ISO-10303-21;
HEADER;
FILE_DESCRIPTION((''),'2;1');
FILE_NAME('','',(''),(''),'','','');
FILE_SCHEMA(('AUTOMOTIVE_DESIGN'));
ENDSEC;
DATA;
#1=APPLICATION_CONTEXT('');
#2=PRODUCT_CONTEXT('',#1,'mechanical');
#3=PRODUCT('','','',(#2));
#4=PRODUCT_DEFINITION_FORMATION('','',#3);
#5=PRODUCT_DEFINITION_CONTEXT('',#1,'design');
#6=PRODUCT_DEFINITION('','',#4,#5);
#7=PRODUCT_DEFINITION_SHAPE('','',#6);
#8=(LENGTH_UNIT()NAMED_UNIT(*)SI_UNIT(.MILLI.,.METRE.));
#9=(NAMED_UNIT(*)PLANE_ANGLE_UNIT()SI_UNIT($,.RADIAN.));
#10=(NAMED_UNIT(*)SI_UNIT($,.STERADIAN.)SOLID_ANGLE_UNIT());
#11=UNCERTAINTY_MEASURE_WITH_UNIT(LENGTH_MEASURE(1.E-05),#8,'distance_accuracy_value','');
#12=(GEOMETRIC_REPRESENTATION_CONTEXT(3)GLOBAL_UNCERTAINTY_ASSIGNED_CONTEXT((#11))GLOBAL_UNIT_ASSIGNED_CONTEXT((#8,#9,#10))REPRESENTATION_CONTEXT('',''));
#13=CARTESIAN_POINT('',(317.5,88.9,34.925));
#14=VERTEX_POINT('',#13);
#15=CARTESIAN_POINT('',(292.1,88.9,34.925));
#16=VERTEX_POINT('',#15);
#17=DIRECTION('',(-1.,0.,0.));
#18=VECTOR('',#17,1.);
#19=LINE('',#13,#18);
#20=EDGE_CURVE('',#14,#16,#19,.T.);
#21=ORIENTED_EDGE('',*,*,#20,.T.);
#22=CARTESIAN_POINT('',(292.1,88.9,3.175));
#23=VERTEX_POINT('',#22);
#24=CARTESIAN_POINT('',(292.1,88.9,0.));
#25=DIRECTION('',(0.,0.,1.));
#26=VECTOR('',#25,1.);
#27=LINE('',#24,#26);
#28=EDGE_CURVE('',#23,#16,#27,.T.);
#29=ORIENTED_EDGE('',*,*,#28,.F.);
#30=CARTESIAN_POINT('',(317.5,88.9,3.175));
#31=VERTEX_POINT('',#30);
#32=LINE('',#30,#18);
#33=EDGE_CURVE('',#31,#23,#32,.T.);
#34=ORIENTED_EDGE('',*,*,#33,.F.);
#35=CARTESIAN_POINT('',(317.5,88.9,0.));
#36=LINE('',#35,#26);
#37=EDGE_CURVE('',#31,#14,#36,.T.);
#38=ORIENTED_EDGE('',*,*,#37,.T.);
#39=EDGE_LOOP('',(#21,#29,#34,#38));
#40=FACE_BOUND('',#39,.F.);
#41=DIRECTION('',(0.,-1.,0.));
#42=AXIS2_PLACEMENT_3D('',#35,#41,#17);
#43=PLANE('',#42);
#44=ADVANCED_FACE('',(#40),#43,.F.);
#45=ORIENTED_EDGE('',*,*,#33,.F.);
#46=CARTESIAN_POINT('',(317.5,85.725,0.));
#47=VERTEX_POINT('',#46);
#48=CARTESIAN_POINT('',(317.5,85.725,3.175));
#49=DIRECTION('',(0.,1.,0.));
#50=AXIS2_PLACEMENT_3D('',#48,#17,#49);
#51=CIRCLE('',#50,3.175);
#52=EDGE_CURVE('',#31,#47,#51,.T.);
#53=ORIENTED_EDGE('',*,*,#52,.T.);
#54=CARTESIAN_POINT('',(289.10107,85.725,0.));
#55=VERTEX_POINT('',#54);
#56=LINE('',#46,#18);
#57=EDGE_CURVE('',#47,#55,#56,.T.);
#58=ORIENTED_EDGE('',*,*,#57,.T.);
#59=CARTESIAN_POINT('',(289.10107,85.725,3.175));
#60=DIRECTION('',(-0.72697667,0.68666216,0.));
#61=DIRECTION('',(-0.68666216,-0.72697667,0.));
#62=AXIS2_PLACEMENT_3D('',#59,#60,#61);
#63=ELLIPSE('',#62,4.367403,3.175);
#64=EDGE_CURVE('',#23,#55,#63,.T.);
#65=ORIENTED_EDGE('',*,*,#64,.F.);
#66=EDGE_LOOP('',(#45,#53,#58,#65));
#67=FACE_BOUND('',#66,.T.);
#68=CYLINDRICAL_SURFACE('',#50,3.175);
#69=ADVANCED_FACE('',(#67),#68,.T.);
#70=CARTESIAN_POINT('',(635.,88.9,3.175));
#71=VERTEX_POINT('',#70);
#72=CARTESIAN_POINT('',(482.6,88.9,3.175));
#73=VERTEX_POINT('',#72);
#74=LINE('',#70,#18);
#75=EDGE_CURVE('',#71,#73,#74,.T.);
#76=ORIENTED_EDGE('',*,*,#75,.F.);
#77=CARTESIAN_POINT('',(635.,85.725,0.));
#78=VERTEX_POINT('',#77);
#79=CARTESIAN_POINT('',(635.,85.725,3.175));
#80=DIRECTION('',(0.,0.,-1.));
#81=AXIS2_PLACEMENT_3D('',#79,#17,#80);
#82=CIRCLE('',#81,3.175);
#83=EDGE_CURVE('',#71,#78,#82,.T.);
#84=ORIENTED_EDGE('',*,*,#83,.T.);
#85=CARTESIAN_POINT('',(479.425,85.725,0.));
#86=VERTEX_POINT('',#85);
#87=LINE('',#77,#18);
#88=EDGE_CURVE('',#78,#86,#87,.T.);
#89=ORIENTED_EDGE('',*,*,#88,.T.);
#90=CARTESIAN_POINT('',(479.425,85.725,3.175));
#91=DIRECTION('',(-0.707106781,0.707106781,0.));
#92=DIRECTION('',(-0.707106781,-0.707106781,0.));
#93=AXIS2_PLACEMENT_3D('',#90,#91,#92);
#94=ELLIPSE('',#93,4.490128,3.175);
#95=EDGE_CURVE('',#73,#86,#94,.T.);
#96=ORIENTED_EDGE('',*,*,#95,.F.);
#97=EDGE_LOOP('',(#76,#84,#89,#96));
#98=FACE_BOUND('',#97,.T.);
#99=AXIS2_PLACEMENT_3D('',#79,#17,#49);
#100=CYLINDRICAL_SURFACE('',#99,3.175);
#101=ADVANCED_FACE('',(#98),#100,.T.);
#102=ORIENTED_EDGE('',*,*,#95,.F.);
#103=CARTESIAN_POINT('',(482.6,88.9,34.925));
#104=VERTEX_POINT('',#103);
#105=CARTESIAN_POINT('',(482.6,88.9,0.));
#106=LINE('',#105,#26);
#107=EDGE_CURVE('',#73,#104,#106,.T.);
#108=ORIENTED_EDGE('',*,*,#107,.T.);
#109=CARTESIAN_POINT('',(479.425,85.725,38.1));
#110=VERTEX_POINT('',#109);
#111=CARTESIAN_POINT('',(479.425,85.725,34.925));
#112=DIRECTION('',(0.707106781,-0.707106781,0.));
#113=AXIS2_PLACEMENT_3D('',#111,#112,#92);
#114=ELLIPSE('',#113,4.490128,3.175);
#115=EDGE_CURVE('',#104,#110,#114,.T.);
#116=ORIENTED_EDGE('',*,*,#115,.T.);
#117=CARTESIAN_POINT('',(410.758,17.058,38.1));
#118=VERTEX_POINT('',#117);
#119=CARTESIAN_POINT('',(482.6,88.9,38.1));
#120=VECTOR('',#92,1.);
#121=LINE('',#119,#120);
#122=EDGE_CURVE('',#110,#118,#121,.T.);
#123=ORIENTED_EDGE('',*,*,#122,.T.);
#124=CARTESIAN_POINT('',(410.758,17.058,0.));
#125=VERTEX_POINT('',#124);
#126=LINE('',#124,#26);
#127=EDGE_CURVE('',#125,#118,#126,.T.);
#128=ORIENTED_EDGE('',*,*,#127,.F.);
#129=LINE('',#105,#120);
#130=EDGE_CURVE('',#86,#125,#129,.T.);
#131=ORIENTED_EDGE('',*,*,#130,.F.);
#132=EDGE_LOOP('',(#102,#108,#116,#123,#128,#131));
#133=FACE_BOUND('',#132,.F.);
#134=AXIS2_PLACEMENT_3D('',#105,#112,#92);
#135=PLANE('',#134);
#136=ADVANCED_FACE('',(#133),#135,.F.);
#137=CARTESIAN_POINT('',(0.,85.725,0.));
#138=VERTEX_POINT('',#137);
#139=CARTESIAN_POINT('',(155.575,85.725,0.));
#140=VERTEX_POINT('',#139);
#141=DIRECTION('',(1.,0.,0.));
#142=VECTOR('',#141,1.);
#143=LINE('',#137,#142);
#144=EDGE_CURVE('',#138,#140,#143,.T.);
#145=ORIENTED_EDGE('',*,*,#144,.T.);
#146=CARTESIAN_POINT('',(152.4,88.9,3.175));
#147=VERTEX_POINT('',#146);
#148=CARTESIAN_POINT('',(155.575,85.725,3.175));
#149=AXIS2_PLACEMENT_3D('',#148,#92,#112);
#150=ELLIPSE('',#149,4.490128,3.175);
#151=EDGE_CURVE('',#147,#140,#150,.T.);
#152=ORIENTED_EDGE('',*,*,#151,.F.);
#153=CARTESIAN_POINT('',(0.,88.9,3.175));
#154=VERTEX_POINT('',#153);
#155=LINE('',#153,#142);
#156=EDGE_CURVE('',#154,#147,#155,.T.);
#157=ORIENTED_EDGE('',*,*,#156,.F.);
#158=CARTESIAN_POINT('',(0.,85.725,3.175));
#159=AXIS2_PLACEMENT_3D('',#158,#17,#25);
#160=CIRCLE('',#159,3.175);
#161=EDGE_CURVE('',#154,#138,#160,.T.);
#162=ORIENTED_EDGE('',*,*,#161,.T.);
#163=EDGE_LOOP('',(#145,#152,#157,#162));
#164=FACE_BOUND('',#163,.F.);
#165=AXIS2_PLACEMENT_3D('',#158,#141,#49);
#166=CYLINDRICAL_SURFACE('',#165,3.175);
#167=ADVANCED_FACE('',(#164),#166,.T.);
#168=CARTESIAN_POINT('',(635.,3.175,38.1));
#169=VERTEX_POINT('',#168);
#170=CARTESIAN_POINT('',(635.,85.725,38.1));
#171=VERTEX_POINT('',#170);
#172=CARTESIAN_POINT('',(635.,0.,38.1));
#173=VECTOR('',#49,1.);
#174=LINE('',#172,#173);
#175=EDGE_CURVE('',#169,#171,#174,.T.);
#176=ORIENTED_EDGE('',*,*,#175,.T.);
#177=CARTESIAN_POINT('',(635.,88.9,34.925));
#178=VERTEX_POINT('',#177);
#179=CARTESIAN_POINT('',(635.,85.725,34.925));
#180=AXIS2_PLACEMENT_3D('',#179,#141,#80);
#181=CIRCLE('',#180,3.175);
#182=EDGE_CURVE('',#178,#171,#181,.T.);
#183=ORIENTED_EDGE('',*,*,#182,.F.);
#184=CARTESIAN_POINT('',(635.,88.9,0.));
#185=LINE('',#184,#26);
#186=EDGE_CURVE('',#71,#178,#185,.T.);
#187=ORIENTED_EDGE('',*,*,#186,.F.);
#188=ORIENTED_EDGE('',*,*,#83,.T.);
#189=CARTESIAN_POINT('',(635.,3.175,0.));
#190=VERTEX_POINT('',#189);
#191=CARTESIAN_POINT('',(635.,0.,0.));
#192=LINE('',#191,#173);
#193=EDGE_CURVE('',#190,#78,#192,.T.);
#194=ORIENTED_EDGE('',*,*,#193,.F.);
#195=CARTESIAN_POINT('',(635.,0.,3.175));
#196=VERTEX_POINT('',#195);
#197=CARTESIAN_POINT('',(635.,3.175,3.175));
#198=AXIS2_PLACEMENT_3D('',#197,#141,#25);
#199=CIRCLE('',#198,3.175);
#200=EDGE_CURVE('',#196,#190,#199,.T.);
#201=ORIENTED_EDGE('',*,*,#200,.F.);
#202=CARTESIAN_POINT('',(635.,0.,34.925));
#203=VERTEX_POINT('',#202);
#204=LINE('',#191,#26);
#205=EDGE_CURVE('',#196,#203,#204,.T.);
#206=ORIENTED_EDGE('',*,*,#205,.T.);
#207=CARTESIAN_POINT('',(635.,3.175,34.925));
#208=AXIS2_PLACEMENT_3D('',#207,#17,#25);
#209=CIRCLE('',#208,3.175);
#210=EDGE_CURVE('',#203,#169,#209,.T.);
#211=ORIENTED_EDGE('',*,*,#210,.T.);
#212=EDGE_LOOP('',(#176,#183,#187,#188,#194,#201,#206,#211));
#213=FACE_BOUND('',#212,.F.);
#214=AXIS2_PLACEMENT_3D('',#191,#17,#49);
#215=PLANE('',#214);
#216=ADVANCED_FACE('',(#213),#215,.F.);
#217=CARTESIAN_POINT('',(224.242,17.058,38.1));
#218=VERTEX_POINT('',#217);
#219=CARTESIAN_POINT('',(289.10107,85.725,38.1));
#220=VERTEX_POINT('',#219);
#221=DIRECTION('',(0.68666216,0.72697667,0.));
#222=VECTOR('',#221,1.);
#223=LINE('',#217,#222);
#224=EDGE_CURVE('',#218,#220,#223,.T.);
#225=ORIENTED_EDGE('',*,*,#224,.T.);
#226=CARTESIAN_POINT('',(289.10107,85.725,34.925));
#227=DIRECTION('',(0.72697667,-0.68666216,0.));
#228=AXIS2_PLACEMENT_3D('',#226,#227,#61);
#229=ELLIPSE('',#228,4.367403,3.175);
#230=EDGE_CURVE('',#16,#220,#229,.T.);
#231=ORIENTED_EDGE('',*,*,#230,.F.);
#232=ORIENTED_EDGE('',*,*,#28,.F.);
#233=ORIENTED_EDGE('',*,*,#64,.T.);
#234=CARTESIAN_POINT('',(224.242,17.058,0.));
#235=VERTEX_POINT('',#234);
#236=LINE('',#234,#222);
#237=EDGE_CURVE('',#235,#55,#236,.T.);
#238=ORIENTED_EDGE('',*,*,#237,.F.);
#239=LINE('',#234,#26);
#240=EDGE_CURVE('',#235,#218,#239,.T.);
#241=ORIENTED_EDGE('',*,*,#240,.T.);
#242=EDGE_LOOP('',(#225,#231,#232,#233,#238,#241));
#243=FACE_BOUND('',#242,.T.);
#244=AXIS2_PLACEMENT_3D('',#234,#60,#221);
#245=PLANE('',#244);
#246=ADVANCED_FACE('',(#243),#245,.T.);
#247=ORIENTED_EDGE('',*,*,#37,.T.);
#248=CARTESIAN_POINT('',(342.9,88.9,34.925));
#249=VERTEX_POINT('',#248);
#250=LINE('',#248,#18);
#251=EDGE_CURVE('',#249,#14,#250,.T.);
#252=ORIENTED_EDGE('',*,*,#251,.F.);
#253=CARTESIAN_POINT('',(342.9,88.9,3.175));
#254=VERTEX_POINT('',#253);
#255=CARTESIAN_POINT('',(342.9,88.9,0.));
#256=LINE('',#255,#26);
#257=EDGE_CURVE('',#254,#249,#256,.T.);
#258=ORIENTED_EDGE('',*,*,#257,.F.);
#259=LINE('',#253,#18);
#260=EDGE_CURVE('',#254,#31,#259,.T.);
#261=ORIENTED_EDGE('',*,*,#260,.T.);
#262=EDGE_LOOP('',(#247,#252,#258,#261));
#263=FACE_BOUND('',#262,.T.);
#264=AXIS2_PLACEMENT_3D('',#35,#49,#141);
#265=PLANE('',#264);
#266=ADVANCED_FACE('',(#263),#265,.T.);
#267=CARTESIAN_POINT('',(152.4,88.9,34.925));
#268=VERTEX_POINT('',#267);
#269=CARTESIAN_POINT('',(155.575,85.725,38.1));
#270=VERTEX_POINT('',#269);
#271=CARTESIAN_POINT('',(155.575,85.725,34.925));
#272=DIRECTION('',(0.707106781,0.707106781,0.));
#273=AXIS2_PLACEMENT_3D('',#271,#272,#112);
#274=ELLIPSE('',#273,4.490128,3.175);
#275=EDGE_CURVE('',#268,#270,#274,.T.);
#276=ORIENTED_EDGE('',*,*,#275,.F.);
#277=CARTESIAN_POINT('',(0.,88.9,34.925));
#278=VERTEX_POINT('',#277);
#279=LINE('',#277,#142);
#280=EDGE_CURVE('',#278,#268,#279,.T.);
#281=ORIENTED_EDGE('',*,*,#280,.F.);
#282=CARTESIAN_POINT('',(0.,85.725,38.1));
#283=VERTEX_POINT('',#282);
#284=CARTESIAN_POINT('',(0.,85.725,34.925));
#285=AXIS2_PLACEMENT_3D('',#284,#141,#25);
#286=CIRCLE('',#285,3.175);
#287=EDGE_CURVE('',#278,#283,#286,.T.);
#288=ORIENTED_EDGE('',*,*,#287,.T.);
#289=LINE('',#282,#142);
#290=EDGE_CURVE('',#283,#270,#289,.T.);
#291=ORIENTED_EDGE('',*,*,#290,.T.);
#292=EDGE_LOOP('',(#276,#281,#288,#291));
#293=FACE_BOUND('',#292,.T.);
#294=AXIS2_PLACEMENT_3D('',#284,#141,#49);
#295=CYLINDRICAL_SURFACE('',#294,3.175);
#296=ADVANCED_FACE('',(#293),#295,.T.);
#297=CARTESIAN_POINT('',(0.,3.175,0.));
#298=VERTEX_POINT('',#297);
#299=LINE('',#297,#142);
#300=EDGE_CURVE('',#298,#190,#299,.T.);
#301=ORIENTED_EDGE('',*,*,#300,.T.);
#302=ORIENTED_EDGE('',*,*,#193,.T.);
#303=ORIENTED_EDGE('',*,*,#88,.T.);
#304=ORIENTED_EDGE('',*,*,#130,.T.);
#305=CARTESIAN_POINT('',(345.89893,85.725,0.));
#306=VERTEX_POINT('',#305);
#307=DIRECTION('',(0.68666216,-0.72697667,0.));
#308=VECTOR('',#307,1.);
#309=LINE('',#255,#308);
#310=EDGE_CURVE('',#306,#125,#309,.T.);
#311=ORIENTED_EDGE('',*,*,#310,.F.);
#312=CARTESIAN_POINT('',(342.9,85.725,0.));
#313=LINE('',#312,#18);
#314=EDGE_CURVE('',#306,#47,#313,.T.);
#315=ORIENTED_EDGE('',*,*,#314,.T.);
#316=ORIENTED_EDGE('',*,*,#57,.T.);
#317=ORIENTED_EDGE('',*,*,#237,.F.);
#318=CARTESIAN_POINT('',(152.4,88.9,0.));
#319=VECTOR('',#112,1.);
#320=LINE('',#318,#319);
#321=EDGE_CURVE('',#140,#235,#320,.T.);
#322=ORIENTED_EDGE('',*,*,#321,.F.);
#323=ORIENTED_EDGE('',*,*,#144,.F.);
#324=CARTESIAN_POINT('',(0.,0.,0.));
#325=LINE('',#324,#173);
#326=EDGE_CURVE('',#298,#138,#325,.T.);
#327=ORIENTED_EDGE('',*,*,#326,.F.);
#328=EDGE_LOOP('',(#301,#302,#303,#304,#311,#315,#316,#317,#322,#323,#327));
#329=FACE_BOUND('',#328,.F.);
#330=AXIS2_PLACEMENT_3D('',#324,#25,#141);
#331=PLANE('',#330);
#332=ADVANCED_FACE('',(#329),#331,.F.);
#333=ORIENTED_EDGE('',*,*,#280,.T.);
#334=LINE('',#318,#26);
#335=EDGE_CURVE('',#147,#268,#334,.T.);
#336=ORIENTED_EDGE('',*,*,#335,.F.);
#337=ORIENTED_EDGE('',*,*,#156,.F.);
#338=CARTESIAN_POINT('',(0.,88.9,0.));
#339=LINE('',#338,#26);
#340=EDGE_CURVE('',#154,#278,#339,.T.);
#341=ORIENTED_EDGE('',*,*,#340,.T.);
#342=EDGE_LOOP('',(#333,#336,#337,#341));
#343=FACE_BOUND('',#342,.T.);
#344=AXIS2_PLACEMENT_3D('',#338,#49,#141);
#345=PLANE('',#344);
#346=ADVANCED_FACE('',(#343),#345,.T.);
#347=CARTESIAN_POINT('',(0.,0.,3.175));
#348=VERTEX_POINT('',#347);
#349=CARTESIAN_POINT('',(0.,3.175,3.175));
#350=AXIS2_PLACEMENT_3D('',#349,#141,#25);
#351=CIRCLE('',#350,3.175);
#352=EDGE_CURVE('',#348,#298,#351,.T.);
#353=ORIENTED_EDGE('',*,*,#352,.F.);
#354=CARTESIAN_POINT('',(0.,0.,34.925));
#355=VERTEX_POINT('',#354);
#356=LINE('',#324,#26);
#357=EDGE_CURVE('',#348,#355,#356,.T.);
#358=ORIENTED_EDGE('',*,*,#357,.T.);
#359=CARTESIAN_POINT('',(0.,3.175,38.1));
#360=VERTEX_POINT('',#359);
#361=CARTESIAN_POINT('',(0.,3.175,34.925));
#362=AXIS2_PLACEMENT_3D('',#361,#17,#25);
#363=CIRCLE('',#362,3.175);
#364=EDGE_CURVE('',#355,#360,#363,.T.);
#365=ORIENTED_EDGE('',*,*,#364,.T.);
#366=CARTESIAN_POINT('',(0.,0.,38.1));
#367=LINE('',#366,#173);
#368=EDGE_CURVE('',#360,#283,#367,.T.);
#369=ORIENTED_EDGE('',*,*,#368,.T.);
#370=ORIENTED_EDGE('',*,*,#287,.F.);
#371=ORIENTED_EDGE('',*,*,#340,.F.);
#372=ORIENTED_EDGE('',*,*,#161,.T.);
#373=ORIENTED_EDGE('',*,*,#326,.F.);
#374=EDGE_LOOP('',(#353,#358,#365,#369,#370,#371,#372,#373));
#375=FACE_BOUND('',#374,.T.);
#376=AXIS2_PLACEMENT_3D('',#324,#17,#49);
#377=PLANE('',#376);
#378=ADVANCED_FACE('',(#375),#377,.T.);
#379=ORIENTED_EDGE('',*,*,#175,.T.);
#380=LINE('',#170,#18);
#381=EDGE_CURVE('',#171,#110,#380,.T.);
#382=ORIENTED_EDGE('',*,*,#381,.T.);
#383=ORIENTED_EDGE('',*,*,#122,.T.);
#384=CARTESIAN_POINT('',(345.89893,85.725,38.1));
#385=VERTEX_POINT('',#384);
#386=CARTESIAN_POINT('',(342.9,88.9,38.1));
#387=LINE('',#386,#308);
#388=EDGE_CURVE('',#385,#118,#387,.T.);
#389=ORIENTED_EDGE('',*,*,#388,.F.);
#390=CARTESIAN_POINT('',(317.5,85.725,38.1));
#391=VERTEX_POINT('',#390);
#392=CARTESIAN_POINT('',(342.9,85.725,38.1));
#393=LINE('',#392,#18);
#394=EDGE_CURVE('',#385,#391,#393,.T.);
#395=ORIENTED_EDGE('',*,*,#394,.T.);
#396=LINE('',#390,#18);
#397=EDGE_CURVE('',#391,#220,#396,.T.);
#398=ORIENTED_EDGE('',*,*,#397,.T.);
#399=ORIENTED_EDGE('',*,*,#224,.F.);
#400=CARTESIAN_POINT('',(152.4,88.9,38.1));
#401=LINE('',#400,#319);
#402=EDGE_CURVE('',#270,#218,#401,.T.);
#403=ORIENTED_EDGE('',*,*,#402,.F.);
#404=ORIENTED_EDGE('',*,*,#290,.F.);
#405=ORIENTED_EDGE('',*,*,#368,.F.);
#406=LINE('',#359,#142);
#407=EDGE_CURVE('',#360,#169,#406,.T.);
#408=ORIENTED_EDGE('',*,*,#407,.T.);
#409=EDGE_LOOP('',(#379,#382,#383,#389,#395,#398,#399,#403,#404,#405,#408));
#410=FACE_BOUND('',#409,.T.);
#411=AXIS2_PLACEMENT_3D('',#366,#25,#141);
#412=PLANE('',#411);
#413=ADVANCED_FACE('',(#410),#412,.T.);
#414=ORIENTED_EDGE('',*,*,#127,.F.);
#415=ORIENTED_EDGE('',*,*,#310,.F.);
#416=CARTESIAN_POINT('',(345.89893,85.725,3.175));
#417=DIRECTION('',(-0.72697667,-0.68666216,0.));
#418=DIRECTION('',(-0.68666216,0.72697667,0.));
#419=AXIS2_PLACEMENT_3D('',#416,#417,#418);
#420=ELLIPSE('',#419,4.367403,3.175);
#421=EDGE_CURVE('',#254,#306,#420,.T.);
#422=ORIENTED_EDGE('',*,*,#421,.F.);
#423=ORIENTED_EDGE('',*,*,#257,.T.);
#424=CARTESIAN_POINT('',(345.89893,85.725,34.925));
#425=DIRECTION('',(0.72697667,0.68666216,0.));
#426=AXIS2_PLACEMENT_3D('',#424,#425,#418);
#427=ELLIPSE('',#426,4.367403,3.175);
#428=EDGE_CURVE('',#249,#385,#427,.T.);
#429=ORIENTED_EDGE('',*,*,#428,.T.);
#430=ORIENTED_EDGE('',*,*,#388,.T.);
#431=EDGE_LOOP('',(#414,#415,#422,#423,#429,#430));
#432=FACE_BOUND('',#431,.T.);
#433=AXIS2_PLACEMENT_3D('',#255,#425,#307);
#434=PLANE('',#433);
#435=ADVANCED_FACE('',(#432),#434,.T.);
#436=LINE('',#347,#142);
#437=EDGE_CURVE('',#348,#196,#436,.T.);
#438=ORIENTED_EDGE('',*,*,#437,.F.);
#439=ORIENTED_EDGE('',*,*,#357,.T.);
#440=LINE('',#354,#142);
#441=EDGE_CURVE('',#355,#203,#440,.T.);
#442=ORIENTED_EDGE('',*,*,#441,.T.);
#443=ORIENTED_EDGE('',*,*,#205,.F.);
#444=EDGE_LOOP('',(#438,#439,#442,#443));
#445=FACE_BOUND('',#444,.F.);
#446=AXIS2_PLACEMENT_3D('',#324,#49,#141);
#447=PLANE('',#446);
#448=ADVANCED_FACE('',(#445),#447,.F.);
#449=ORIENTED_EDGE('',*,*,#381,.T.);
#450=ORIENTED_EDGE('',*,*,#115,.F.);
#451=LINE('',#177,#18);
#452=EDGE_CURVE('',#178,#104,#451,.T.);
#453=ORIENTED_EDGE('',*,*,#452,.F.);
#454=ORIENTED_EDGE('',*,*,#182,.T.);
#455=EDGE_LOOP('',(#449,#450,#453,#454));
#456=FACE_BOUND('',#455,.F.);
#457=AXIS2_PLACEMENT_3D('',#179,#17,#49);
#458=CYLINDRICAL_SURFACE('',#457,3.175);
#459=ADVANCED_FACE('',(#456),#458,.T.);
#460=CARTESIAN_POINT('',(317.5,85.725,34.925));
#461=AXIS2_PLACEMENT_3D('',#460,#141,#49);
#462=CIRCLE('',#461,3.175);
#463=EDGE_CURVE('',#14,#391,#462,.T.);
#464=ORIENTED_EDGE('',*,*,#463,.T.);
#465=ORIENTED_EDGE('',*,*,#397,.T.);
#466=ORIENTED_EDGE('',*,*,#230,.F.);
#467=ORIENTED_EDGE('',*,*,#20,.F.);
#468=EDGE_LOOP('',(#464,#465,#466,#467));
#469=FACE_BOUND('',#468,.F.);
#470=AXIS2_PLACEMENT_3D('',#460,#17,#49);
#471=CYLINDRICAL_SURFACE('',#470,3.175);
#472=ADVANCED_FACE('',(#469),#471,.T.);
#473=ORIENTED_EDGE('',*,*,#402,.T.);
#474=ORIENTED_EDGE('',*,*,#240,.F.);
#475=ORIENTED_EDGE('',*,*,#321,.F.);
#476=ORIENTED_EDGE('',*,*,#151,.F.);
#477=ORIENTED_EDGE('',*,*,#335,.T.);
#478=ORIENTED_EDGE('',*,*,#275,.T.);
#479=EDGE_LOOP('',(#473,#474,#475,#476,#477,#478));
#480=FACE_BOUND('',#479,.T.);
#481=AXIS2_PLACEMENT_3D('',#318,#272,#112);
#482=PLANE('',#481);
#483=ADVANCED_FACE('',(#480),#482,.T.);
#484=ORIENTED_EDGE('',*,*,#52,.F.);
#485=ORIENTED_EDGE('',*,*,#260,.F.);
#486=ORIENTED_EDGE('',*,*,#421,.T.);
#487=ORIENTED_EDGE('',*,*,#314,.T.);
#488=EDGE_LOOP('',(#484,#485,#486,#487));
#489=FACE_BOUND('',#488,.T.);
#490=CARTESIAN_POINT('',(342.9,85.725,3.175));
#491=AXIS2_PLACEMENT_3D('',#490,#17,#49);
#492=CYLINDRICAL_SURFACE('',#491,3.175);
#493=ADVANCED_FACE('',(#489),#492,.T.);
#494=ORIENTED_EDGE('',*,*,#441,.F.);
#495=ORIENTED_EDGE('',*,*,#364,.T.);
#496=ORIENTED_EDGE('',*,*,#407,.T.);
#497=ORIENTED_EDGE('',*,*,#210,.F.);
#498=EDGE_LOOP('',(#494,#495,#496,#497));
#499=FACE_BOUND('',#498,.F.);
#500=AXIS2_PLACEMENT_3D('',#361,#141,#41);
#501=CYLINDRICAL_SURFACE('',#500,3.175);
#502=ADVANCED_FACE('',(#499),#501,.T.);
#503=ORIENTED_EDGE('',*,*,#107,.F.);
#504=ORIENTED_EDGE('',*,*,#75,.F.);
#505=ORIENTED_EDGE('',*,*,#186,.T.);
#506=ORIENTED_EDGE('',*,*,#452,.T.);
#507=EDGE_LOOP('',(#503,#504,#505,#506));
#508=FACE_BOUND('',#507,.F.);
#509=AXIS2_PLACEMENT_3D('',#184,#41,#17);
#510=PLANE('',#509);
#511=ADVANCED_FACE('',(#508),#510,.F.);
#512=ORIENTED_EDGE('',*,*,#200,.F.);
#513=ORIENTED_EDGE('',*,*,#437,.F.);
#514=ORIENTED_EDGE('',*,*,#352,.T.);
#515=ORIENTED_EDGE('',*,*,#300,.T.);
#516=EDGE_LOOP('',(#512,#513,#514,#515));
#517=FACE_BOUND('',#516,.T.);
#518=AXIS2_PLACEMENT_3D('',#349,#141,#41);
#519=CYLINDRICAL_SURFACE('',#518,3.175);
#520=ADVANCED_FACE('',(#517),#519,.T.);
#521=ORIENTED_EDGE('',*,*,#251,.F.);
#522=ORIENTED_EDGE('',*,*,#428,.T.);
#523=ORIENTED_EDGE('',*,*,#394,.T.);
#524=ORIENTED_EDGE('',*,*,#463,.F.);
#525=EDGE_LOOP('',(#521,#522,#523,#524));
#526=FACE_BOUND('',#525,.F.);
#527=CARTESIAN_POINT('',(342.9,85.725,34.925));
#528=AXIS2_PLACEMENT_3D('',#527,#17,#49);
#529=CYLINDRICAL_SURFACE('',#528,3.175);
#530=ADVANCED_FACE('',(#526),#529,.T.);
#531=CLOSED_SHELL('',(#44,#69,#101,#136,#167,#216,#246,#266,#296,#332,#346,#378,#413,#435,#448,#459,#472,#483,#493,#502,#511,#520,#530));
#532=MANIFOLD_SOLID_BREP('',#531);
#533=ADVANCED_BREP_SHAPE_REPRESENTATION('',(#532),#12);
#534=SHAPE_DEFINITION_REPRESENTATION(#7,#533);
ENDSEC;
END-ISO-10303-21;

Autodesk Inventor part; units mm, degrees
ref_plane "YZ Plane" through (0, 0, 0) normal (1, 0, 0) x (0, 1, 0)
ref_plane "XZ Plane" through (0, 0, 0) normal (0, 1, 0) x (-1, 0, 0)
ref_plane "XY Plane" through (0, 0, 0) normal (0, 0, 1) x (1, 0, 0)
sketch "Sketch1" plane through (0, 0, 0) normal (0, 0, 1) x (1, 0, 0)
  line L0 (0, 0) -> (635, 0)
  line L1 (635, 0) -> (635, 88.9)
  line L2 (0, 0) -> (0, 88.9)
  line L3 (0, 88.9) -> (152.4, 88.9)
  line L4 (635, 88.9) -> (482.6, 88.9)
  line L5 (482.6, 88.9) -> (152.4, 88.9) construction
  line L6 (317.5, 88.9) -> (292.1, 88.9)
  line L7 (317.5, 88.9) -> (342.9, 88.9)
  line L8 (482.6, 88.9) -> (410.758, 17.058)
  line L9 (482.6, 88.9) -> (584.2, 88.9) construction
  line L10 (342.9, 88.9) -> (410.758, 17.058)
  line L11 (152.4, 88.9) -> (224.242, 17.058)
  line L12 (152.4, 88.9) -> (254, 88.9) construction
  line L13 (224.242, 17.058) -> (292.1, 88.9)
  dimension "d0" = 635
  dimension "d1" = 88.9
  dimension "d2" = 88.9
  dimension "d3" = 152.4
  dimension "d4" = 152.4
  dimension "d5" = 25.4
  dimension "d6" = 25.4
  dimension "d7" = 101.6
  dimension "d8" = 135
  dimension "d9" = 101.6
  dimension "d10" = 45
extrude "Extrusion1" add sketch "Sketch1" along normal blind 38.1
fillet "Fillet1" radius 3.175 8 edges at (317.5, 0, 0) (76.2, 88.9, 0) (304.8, 88.9, 0) (558.8, 88.9, 0) (558.8, 88.9, 38.1) (304.8, 88.9, 38.1) (76.2, 88.9, 38.1) (317.5, 0, 38.1)
properties part number "Lower Decoration"
